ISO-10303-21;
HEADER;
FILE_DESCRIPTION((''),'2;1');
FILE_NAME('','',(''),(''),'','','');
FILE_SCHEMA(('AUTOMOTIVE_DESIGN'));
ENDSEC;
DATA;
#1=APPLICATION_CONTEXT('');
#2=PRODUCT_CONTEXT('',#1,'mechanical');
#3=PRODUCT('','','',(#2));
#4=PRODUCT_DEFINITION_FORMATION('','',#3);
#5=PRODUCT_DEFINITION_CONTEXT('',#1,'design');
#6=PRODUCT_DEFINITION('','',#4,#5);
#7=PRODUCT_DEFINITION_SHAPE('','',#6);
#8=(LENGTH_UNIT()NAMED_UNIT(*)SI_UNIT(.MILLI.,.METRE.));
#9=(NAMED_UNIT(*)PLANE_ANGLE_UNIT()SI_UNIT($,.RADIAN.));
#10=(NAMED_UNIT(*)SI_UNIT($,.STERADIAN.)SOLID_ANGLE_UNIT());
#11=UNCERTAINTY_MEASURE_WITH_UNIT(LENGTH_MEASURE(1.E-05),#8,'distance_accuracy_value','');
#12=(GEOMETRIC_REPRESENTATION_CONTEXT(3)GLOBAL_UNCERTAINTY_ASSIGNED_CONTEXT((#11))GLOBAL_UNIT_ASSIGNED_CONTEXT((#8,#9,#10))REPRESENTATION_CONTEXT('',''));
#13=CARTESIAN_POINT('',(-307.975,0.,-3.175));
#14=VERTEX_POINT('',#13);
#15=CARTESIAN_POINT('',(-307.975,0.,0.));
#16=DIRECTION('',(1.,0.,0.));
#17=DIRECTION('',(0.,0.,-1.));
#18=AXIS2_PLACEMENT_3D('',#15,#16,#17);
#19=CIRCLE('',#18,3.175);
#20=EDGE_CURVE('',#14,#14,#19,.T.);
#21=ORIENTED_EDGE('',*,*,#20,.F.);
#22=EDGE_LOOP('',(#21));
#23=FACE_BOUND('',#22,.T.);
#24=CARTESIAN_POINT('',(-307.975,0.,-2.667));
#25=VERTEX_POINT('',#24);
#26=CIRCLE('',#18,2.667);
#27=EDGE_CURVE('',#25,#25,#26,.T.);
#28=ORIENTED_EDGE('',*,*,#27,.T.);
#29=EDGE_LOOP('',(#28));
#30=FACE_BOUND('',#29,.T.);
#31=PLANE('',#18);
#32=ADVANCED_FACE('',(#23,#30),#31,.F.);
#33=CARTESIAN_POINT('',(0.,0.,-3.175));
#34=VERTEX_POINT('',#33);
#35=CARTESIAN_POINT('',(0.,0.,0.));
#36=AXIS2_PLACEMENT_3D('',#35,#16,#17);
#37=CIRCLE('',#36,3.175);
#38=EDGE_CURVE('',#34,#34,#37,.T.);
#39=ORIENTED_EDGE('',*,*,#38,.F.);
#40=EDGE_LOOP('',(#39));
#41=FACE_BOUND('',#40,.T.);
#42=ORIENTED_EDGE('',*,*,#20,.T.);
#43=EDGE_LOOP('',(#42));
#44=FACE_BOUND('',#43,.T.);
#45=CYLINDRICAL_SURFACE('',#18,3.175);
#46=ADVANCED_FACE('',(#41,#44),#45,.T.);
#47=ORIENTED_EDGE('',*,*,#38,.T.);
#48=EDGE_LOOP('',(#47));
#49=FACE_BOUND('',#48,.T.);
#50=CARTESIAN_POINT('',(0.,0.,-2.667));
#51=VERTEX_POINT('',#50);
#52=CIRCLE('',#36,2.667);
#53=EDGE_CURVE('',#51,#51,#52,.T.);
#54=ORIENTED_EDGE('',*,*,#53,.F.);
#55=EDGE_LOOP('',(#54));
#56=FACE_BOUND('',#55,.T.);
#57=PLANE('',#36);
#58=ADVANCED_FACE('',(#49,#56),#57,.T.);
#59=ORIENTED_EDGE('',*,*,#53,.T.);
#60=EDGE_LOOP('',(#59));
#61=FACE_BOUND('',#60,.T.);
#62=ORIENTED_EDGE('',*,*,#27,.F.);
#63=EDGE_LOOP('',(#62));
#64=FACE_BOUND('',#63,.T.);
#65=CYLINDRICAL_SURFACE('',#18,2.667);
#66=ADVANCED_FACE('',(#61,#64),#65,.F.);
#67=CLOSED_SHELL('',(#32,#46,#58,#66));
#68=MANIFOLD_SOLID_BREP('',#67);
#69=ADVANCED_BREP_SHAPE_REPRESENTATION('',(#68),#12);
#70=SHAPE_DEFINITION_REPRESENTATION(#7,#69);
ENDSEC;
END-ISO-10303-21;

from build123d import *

# Parameters (mm, degrees)
SKETCH1_R           = 3.175
SKETCH1_R_2         = 2.667
BOSS_EXTRUDE1_DEPTH = 307.975


with BuildPart() as part:
    # Sketch1 → Boss-Extrude1 (new body)
    with BuildSketch(Plane(origin=(0, 0, 0), x_dir=(0, 0, -1), z_dir=(1, 0, 0))):
        Circle(SKETCH1_R)
        Circle(SKETCH1_R_2, mode=Mode.SUBTRACT)
    extrude(amount=-BOSS_EXTRUDE1_DEPTH)


solid = part.part
